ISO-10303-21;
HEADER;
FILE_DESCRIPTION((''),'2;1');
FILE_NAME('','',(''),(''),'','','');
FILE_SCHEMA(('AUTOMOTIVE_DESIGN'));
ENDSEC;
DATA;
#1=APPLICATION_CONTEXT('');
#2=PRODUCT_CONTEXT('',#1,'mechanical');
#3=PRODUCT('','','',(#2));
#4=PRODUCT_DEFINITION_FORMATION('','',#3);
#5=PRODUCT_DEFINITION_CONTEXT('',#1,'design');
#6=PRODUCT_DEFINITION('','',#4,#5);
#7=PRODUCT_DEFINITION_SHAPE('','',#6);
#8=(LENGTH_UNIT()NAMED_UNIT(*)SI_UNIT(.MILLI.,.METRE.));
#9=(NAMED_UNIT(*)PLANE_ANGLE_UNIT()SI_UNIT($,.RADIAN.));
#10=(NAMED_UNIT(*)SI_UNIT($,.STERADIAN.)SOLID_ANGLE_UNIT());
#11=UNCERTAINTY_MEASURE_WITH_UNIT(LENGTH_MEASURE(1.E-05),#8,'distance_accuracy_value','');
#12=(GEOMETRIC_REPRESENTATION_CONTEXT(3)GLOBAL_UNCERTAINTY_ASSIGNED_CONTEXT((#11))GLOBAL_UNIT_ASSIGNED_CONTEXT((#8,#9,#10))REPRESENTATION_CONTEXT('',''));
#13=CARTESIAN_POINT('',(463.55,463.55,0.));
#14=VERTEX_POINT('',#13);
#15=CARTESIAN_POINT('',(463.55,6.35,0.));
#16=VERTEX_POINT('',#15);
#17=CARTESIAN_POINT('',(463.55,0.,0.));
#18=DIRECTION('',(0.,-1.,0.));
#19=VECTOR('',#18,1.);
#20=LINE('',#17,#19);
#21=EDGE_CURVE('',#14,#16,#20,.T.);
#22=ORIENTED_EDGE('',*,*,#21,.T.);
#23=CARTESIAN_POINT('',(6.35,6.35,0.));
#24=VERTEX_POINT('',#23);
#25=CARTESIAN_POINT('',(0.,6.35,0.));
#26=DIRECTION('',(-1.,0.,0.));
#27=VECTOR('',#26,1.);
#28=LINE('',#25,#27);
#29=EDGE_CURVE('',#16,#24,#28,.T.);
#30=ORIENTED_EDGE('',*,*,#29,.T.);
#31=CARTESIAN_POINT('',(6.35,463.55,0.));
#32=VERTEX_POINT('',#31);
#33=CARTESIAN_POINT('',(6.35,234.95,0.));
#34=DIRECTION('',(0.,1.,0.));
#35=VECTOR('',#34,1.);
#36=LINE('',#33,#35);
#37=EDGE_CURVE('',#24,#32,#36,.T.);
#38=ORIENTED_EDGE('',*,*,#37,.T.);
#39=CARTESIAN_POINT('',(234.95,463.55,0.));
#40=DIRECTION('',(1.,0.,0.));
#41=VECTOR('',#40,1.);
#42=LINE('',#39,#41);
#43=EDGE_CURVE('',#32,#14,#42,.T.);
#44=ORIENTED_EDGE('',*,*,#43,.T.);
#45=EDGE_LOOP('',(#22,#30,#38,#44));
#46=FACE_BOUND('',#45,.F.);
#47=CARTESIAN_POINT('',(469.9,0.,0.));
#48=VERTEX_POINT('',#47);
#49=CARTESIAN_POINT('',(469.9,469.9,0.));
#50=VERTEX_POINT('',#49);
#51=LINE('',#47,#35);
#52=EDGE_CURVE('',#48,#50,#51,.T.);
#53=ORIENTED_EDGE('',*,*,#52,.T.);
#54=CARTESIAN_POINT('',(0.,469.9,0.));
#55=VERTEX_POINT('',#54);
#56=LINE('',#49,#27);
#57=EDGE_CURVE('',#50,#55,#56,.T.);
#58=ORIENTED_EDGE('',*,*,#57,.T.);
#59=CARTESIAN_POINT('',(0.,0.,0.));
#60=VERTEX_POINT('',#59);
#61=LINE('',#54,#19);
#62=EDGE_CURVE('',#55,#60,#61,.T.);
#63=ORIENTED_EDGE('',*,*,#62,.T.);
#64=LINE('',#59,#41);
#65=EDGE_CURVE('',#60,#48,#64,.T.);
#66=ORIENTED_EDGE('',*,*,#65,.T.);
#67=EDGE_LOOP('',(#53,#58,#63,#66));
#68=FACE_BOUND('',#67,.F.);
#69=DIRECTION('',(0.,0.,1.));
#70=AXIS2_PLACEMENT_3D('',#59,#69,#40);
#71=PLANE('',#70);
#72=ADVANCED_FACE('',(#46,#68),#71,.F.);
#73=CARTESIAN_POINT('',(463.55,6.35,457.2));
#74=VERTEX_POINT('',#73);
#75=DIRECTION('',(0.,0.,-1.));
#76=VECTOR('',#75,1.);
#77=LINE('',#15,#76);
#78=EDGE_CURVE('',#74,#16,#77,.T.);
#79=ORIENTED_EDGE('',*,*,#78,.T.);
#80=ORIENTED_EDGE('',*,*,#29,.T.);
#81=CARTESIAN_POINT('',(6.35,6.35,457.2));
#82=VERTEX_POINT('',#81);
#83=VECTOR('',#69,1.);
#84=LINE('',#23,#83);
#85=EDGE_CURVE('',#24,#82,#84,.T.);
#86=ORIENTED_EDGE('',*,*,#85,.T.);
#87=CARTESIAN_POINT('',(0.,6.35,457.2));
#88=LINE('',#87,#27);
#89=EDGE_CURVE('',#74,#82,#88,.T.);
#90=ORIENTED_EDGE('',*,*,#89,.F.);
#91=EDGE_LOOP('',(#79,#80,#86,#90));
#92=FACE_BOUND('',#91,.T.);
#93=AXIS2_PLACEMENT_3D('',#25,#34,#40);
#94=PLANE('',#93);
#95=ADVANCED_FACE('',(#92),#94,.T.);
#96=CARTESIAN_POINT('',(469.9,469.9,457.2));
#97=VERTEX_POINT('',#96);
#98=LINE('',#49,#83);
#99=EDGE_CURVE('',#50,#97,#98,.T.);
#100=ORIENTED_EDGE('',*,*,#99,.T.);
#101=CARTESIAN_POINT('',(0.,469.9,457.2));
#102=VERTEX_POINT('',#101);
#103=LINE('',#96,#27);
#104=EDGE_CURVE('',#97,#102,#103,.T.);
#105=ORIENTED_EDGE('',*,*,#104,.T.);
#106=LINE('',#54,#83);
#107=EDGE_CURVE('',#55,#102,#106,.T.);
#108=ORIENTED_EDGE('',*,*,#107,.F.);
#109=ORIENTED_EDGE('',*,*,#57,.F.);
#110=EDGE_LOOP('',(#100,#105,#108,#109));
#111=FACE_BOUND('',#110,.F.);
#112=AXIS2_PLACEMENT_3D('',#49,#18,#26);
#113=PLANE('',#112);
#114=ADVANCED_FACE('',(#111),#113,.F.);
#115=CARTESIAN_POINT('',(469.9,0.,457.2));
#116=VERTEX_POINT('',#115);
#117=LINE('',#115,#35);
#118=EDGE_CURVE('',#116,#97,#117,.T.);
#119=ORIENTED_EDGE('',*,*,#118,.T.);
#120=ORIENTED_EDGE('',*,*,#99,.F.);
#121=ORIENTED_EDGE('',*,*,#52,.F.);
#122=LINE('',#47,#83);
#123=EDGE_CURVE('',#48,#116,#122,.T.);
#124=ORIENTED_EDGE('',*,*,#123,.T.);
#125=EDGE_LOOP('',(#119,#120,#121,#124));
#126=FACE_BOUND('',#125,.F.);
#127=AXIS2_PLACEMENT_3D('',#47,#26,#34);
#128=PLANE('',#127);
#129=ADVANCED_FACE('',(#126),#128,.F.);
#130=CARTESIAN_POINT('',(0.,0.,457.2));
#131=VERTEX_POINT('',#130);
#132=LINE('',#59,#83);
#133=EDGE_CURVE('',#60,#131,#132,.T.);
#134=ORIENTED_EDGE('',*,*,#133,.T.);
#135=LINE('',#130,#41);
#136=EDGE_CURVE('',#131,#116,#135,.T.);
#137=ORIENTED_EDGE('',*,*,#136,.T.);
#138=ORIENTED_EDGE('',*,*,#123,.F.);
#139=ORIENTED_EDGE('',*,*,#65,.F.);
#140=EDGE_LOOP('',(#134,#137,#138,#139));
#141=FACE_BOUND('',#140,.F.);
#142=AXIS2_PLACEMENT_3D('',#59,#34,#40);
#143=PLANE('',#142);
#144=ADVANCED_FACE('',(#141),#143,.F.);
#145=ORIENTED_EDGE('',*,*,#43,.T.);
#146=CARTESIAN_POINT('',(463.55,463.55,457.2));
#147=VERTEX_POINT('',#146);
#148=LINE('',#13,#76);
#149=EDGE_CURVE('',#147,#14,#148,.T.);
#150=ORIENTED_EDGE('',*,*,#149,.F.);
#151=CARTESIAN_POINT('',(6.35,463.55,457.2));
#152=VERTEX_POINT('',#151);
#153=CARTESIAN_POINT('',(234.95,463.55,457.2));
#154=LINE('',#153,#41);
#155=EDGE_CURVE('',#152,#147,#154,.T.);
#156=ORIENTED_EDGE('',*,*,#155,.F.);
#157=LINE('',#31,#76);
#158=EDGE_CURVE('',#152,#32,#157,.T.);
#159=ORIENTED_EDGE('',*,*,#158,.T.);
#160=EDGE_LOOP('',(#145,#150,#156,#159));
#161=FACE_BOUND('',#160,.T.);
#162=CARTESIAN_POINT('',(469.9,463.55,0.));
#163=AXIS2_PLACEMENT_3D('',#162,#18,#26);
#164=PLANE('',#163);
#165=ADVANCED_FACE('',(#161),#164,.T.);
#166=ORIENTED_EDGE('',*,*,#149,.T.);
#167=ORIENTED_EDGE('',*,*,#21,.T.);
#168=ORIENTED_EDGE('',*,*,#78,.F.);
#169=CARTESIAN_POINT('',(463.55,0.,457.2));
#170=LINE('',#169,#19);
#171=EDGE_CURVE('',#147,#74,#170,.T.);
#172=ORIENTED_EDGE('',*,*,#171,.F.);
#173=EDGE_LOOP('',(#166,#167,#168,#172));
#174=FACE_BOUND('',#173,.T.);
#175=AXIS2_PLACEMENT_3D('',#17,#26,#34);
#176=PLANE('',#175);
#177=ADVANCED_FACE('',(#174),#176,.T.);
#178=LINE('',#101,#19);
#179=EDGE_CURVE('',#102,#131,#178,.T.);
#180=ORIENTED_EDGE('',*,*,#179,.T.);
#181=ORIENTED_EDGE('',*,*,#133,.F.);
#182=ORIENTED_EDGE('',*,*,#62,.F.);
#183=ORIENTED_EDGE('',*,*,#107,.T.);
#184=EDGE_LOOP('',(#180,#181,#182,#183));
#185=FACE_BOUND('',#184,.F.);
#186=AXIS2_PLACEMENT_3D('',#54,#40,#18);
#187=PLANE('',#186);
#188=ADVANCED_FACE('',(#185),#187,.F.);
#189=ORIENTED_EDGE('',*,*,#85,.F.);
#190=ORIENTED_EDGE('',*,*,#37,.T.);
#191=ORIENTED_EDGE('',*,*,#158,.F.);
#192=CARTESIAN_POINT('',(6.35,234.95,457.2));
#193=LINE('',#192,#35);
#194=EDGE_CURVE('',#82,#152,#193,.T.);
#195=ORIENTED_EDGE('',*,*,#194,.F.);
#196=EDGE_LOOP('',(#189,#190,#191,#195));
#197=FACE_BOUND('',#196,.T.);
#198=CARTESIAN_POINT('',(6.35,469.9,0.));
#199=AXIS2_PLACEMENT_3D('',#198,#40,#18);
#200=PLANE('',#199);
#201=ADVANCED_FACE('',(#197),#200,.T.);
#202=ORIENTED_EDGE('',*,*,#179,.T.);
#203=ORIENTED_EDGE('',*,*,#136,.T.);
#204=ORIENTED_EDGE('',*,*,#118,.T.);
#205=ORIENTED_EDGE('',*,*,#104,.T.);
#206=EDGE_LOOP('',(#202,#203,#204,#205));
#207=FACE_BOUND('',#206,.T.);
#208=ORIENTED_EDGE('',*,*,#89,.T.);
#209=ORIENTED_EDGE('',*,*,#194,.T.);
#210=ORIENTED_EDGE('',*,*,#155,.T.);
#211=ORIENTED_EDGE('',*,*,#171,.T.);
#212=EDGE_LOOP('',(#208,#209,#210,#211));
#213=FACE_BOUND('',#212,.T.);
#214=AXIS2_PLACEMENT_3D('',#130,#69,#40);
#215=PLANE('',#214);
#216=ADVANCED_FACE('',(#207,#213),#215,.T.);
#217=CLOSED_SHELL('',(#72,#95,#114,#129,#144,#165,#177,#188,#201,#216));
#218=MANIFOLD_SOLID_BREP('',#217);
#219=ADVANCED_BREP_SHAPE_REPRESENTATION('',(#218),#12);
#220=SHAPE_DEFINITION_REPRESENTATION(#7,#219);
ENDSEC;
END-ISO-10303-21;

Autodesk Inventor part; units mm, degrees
ref_plane "YZ Plane" through (0, 0, 0) normal (1, 0, 0) x (0, 1, 0)
ref_plane "XZ Plane" through (0, 0, 0) normal (0, 1, 0) x (-1, 0, 0)
ref_plane "XY Plane" through (0, 0, 0) normal (0, 0, 1) x (1, 0, 0)
sketch "Sketch1" plane through (0, 0, 0) normal (0, 0, 1) x (1, 0, 0)
  line L0 (0, 0) -> (469.9, 0)
  line L1 (469.9, 0) -> (469.9, 469.9)
  line L2 (469.9, 469.9) -> (0, 469.9)
  line L3 (0, 469.9) -> (0, 0)
  dimension "d0" = 469.9
  dimension "d1" = 469.9
extrude "Extrusion1" add sketch "Sketch1" along normal blind 457.2
shell "Shell1" thickness 6.35 removed faces 2 at (156.6333, 313.2667, 0) at (156.6333, 313.2667, 457.2)
properties part number "Sizing Tool"
